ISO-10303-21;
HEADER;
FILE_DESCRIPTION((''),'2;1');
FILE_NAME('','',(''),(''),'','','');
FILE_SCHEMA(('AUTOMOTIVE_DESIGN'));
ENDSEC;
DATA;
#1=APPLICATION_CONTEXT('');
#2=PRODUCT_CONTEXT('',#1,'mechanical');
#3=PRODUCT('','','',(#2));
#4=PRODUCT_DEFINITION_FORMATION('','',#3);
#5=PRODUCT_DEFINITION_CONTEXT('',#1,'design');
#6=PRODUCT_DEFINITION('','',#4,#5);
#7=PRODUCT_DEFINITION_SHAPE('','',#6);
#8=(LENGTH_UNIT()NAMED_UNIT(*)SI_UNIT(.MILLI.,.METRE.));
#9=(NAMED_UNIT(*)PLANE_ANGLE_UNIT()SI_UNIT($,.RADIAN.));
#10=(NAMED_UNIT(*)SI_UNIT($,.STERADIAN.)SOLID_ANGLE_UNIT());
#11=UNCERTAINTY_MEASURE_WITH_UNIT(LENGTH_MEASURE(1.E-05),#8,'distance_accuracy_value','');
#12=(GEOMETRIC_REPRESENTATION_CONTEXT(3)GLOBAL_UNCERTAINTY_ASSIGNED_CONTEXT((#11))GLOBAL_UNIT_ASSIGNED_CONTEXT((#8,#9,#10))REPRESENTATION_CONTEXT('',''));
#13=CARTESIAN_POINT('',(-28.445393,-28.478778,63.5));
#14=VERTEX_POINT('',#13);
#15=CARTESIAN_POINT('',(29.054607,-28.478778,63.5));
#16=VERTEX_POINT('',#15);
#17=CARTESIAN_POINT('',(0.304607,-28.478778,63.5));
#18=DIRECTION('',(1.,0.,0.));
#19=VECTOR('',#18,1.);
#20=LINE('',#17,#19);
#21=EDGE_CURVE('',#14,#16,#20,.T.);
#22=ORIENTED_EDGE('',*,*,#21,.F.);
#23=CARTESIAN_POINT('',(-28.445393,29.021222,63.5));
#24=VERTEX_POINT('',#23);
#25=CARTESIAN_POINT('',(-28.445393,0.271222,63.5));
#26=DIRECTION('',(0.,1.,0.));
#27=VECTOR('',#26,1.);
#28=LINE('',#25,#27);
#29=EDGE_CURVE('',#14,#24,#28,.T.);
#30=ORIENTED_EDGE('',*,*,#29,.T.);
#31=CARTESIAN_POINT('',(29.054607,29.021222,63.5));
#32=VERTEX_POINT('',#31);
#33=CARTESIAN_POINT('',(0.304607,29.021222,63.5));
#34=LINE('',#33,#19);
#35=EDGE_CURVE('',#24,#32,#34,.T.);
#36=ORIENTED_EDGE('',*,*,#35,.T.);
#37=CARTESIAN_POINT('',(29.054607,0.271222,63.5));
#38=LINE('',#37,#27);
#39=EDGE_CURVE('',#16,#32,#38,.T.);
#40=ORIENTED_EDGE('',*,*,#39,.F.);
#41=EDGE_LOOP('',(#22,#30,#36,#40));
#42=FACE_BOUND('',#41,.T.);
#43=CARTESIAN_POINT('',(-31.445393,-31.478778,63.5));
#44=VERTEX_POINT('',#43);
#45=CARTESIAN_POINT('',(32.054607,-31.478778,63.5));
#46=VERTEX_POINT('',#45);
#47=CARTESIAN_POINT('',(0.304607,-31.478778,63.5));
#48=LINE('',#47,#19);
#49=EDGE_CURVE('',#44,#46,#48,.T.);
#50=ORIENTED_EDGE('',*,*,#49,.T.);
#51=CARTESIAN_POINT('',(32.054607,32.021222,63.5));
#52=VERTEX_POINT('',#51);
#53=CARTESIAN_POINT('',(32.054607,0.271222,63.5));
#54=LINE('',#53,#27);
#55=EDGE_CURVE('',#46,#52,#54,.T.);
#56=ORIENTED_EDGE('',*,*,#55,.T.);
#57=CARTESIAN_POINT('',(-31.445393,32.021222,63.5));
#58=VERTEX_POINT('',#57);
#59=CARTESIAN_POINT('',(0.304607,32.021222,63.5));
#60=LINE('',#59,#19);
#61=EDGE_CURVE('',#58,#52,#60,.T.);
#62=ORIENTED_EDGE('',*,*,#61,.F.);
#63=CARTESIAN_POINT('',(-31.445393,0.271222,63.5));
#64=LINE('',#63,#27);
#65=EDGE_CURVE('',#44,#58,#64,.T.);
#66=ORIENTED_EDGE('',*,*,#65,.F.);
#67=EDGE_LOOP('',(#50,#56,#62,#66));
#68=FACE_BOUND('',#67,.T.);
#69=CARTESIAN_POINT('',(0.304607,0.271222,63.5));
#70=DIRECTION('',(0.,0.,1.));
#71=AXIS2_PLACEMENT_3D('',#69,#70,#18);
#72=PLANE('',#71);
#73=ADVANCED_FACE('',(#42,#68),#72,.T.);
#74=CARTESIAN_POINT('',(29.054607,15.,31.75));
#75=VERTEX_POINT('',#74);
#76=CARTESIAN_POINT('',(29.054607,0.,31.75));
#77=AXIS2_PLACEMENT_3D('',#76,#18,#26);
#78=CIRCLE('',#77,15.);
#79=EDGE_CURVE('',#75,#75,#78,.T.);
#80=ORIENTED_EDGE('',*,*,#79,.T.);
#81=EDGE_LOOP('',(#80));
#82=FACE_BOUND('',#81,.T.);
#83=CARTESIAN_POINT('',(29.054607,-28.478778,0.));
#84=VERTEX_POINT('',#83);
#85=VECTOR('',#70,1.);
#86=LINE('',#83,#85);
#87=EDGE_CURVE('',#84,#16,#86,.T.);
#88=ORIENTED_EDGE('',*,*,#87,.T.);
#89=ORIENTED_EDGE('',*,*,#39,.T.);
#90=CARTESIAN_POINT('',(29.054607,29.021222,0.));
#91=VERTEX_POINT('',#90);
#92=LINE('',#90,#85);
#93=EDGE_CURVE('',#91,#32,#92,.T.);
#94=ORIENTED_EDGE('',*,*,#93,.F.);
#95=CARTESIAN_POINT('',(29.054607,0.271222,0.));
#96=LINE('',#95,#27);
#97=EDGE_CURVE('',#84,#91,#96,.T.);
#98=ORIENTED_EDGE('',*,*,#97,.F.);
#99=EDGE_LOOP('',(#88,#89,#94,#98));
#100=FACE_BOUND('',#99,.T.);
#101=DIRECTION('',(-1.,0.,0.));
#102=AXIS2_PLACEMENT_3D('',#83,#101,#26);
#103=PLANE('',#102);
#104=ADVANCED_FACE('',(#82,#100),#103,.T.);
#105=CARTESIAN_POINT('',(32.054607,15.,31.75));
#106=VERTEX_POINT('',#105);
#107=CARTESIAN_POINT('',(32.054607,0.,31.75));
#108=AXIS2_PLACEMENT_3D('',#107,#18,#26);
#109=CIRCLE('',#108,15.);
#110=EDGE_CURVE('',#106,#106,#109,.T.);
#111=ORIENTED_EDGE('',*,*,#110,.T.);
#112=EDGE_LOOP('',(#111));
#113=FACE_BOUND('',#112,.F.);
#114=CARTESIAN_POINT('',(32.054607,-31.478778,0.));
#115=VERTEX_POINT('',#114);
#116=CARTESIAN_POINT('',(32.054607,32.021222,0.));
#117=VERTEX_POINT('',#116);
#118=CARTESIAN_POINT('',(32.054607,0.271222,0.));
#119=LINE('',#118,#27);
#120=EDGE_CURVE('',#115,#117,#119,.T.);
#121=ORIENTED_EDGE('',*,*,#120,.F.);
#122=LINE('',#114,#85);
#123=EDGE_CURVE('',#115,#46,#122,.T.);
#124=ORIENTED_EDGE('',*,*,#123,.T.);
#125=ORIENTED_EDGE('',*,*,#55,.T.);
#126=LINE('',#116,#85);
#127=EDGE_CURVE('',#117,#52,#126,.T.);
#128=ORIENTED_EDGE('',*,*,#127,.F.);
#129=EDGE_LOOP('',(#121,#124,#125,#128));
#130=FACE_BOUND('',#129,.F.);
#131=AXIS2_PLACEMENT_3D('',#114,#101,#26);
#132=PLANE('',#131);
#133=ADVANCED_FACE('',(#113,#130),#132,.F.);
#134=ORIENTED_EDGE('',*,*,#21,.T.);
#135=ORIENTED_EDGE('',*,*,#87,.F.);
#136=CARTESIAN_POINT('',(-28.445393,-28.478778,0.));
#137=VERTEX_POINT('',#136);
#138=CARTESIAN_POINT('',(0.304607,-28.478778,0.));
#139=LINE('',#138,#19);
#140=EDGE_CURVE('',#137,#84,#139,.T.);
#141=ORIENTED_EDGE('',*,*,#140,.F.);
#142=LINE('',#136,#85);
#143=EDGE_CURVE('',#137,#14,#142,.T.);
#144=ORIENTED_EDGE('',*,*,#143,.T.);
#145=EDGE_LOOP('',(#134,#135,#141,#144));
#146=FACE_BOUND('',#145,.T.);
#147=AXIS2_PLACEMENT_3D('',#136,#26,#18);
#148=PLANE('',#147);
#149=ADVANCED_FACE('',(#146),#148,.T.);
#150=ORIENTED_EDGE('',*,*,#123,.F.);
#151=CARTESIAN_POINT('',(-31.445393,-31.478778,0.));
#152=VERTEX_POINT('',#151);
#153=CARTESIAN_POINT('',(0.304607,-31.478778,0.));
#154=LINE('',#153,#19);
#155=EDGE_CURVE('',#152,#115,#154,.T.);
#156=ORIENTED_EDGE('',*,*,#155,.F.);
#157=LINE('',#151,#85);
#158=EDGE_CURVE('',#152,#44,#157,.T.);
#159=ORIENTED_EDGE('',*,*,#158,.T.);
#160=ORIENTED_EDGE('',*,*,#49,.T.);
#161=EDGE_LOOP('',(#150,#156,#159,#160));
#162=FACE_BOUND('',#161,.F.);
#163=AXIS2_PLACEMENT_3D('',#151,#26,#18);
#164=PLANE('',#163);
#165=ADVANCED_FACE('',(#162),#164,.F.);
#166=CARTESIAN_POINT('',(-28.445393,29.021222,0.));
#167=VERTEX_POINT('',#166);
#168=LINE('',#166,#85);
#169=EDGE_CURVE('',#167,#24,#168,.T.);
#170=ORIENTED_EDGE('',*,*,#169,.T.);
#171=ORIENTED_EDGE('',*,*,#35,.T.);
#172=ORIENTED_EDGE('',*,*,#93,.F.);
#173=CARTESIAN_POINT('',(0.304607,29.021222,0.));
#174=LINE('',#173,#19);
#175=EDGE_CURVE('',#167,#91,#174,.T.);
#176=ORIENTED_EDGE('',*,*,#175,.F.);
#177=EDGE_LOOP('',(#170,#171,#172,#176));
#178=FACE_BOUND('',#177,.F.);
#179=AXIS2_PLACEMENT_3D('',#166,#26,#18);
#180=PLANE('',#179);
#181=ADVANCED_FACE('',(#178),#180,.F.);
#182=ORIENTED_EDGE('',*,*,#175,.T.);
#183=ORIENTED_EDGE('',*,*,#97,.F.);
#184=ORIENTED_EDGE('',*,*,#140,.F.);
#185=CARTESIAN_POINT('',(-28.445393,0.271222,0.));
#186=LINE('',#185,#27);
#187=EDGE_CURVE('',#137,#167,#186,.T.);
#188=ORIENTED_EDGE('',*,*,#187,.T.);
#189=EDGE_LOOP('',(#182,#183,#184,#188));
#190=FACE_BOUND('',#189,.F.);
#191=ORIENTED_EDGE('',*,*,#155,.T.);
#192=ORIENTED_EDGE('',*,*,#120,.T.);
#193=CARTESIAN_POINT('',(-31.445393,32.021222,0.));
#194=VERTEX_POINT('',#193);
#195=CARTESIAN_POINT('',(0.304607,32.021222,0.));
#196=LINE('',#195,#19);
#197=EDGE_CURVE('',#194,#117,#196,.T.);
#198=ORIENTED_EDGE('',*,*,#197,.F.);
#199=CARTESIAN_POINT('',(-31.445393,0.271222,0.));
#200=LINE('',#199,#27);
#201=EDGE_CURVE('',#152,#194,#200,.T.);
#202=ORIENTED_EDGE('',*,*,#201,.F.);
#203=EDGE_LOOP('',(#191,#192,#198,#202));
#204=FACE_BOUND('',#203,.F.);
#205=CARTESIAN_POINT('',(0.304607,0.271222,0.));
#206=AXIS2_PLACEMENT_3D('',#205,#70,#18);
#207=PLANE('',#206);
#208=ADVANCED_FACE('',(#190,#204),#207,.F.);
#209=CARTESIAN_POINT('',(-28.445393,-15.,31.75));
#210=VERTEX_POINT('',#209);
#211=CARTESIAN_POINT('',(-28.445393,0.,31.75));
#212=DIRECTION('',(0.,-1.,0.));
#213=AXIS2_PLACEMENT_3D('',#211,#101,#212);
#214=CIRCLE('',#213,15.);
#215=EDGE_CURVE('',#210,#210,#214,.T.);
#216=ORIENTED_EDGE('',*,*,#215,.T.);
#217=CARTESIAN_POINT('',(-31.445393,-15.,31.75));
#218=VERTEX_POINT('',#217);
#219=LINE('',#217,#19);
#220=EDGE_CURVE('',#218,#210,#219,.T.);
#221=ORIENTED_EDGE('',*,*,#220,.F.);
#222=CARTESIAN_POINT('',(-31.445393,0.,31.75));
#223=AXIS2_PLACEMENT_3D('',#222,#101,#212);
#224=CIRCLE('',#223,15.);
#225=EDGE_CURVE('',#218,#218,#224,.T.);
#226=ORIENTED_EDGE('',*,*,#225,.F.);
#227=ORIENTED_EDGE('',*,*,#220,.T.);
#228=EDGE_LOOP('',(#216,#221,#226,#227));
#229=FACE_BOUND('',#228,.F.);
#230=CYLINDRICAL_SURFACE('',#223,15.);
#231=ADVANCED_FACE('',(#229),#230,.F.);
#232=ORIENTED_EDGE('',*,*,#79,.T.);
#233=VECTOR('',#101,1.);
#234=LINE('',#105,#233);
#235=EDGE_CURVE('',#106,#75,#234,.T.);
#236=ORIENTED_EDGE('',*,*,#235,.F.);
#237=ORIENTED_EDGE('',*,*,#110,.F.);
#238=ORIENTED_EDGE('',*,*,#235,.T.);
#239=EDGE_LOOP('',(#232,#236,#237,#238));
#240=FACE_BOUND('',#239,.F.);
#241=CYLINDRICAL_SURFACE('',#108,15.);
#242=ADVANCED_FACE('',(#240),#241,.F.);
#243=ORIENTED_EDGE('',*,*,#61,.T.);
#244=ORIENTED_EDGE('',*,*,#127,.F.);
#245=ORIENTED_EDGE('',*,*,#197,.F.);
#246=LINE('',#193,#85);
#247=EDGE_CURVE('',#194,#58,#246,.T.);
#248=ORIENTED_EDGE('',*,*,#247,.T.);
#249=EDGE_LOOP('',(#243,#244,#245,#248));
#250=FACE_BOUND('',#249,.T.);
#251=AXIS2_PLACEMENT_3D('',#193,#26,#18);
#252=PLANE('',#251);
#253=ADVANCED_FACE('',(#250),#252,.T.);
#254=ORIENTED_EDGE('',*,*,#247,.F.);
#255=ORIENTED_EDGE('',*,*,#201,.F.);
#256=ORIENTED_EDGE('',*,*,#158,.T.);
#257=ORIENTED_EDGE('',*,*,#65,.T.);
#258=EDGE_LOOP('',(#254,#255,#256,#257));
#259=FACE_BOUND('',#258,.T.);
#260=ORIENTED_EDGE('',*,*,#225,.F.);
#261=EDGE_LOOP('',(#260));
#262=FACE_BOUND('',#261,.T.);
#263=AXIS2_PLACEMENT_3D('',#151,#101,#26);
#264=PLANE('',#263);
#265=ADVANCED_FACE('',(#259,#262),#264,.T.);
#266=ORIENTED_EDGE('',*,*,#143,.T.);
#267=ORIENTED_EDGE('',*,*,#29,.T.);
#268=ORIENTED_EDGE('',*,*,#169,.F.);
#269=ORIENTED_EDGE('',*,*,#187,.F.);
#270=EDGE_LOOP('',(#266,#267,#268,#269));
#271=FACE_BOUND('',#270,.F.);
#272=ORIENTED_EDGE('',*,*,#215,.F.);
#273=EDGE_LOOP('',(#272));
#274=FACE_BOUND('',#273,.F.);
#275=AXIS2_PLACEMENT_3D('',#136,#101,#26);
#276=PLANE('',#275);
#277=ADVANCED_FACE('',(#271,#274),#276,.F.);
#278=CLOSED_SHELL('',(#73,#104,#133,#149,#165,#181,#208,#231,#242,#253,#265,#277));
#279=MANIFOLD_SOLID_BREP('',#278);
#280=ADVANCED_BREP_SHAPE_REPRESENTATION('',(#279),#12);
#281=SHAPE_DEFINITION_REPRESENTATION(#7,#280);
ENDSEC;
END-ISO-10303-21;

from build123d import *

# Parameters (mm, degrees)
F0_W     = 63.5
F0_H     = 63.5
F0_W_2   = 57.5
F0_H_2   = 57.5
F1_DEPTH = 63.5
F2_R     = 15
F3_DEPTH = 3
F4_R     = 15
F5_DEPTH = 3


with BuildPart() as f1:
    # F0 (on Top) → F1 (new body)
    with BuildSketch(Plane.XY):
        with Locations((0.304607, 0.271222)):
            Rectangle(F0_W, F0_H)
        with Locations((0.304607, 0.271222)):
            Rectangle(F0_W_2, F0_H_2, mode=Mode.SUBTRACT)
    extrude(amount=F1_DEPTH)

    # F2 (on face) → F3 (cut)
    with BuildSketch(Plane.YZ.offset(32.054607)):
        with Locations((0, 31.75)):
            Circle(F2_R)
    extrude(amount=-F3_DEPTH, mode=Mode.SUBTRACT)

    # F4 (on face) → F5 (cut)
    with BuildSketch(Plane(origin=(-31.445393, 0, 0), x_dir=(0, -1, 0), z_dir=(-1, 0, 0))):
        with Locations((0, 31.75)):
            Circle(F4_R)
    extrude(amount=-F5_DEPTH, mode=Mode.SUBTRACT)


solid = f1.part
